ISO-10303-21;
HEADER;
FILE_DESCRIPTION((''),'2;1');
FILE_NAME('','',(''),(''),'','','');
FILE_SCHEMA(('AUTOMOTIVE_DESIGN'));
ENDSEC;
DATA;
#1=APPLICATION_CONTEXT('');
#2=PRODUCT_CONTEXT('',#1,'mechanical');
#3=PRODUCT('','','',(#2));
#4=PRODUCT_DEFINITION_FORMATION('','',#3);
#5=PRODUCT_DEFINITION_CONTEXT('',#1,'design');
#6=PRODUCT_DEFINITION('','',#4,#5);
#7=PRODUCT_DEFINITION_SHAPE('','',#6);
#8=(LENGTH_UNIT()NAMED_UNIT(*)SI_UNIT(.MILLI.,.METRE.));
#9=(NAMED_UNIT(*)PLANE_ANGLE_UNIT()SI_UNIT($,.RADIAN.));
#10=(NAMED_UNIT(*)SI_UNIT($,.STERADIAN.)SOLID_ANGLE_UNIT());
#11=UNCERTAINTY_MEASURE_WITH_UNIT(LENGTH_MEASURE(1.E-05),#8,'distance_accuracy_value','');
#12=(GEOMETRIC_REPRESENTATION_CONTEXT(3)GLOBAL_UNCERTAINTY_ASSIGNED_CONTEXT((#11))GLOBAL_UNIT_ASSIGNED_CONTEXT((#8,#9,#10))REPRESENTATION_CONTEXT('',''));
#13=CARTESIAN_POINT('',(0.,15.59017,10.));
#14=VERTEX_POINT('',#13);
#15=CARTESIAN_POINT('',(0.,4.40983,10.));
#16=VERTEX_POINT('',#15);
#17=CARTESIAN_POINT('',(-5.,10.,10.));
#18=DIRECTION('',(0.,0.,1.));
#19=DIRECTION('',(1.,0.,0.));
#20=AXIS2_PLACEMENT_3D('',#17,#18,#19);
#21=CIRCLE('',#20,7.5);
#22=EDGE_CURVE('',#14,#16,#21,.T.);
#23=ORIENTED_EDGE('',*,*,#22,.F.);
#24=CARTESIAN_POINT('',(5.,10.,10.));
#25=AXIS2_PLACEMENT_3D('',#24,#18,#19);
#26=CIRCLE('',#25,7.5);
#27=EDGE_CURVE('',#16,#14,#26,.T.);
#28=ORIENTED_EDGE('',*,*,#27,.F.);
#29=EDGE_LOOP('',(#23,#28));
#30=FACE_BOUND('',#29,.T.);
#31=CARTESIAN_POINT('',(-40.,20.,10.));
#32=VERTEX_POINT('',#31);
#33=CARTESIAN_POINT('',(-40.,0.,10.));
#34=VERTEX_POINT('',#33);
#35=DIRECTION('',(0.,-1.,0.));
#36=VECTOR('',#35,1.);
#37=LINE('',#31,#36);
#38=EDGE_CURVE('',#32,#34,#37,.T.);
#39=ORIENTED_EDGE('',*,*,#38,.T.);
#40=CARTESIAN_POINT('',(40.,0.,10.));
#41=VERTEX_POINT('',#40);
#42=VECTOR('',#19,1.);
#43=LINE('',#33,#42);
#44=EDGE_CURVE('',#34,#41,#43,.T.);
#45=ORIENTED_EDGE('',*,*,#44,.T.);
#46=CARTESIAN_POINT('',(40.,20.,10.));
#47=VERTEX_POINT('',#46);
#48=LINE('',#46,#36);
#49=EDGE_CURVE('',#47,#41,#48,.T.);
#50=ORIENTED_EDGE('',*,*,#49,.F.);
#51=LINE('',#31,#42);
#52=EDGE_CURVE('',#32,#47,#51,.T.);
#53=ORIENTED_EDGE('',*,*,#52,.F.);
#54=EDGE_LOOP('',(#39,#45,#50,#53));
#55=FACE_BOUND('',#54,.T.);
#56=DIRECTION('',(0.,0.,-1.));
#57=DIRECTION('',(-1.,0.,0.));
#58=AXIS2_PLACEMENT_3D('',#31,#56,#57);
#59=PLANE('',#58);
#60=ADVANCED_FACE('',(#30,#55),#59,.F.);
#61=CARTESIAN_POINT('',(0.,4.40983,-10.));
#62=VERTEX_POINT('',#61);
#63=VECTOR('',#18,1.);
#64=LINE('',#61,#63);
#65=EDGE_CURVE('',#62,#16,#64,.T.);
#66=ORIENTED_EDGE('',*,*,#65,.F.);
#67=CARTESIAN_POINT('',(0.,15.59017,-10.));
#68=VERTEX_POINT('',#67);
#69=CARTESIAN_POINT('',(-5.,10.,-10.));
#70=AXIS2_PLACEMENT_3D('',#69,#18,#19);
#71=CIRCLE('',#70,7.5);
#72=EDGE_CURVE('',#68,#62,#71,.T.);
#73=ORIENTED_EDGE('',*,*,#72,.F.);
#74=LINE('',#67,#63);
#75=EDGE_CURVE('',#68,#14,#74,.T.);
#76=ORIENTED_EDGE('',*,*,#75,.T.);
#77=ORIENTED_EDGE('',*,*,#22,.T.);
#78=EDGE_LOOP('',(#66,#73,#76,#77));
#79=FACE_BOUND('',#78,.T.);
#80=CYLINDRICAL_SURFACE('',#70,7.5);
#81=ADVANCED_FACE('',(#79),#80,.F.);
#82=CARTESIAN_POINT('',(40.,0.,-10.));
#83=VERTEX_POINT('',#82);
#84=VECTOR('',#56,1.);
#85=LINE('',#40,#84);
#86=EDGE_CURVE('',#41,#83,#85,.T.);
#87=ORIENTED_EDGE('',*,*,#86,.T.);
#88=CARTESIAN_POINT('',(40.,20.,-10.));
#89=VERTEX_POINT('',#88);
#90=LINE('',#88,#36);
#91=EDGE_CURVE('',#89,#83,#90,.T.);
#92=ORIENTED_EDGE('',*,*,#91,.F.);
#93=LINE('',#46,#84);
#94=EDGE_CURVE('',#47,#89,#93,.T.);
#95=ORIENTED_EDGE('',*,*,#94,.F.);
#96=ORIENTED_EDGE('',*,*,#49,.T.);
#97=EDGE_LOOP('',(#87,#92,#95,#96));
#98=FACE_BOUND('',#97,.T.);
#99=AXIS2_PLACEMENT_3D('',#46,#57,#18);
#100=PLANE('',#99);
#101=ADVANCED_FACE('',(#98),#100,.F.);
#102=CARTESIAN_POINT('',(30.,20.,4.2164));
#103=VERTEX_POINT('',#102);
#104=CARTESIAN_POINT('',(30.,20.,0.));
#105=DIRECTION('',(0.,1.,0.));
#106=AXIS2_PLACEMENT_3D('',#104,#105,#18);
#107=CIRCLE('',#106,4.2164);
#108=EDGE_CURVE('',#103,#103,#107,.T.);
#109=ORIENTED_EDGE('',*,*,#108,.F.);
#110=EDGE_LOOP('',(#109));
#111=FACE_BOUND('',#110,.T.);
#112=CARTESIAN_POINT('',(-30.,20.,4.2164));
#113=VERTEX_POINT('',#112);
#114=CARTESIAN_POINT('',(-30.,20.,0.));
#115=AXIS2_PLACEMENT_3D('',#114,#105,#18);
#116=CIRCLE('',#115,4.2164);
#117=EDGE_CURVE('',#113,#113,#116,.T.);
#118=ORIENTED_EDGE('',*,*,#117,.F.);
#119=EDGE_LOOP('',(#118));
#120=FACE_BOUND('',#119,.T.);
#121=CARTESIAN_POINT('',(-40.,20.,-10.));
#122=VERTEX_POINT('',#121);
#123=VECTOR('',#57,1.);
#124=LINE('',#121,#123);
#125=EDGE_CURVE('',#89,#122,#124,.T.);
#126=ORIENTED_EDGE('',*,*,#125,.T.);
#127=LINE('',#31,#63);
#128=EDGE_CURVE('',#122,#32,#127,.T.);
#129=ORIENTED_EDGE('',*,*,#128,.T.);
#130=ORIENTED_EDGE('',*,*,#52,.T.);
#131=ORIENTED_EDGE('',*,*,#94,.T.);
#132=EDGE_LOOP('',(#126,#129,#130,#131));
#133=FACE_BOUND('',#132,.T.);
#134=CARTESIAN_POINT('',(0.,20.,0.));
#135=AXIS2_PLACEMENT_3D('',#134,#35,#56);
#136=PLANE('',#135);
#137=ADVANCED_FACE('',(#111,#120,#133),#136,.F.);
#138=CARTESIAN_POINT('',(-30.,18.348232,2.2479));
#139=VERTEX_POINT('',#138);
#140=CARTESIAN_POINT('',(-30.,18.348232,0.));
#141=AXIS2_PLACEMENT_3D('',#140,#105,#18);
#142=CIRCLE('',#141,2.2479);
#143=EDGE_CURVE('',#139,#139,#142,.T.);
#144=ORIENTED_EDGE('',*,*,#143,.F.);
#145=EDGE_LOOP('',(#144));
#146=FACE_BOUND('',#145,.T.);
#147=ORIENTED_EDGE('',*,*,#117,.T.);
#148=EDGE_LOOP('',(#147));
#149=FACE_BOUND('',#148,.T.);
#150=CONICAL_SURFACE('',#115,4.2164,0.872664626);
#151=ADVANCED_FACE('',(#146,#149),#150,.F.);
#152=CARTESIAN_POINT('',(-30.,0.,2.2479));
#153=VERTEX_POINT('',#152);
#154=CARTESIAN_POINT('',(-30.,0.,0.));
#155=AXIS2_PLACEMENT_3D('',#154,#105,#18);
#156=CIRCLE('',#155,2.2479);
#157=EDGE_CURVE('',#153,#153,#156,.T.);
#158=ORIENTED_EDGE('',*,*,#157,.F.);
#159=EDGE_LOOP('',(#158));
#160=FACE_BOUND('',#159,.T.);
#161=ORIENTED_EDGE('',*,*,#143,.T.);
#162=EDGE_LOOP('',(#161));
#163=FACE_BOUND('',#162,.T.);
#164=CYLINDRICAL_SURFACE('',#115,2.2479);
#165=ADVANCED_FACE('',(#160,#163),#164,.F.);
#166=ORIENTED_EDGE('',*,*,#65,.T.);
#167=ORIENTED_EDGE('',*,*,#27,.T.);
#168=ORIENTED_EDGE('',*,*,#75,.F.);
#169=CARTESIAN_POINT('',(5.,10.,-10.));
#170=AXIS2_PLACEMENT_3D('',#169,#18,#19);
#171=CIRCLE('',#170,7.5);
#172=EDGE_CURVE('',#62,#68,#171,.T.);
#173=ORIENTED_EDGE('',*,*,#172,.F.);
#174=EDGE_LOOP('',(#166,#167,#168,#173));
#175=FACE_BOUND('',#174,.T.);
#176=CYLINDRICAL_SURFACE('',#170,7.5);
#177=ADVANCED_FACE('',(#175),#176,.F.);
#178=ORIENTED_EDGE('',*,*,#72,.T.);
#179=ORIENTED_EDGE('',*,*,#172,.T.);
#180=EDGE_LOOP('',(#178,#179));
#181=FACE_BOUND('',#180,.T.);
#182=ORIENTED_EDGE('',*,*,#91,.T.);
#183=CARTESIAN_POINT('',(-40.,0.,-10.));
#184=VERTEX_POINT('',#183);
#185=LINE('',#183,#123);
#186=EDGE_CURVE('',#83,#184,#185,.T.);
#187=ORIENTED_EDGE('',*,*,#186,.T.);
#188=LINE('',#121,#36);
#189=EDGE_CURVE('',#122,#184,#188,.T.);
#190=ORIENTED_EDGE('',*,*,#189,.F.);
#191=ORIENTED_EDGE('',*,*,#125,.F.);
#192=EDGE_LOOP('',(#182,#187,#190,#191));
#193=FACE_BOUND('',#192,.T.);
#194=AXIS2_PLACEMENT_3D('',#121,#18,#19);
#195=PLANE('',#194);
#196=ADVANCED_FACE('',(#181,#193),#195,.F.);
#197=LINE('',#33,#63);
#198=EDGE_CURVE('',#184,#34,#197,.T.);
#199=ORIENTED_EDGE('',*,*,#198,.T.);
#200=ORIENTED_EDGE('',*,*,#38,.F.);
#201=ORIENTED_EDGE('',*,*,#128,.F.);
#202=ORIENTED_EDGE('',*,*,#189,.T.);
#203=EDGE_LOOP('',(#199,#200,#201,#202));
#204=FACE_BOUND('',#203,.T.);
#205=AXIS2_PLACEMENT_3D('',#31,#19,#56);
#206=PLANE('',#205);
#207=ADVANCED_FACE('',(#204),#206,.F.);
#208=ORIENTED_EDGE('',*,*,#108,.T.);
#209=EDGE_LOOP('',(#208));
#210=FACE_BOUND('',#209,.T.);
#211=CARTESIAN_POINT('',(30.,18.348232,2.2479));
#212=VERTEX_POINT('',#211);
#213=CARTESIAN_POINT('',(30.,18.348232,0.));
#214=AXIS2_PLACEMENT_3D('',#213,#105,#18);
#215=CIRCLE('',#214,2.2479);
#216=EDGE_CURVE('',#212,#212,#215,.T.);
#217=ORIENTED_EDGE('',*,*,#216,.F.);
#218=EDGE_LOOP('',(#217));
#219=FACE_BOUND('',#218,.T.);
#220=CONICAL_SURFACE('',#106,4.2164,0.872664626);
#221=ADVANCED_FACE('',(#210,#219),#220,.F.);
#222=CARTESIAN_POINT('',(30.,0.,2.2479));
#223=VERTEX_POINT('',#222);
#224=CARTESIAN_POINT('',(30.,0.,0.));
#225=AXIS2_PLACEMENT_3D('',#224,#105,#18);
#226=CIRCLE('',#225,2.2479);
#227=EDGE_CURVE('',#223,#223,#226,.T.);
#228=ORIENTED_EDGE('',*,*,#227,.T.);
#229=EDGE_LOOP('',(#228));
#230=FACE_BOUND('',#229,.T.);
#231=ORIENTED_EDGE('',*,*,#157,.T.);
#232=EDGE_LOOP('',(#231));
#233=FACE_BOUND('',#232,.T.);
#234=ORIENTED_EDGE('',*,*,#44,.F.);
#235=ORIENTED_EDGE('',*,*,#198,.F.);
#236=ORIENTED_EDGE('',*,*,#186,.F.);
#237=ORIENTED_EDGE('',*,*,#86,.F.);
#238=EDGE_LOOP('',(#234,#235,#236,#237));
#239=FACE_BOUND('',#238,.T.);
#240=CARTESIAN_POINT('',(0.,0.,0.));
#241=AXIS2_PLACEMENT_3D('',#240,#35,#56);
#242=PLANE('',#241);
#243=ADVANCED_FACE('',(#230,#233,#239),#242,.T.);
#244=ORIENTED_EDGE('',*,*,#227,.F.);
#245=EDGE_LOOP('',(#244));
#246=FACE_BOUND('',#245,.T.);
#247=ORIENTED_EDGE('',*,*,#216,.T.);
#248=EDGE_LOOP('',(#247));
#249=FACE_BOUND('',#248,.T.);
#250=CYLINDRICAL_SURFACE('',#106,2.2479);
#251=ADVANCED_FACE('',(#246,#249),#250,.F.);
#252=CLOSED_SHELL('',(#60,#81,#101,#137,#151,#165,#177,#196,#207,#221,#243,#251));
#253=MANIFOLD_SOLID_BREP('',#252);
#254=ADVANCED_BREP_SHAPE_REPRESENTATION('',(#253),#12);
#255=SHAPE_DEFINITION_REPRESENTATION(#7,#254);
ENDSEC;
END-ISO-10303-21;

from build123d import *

# Parameters (mm, degrees)
SKETCH1_W                                         = 80
SKETCH1_H                                         = 20
BOSS_EXTRUDE1_DEPTH                               = 20
SKETCH2_R                                         = 7.5
CUT_EXTRUDE1_DEPTH                                = 20
CSK_FOR_8_FLAT_HEAD_MACHINE_SCREW_100_D           = 4.4958
CSK_FOR_8_FLAT_HEAD_MACHINE_SCREW_100_CSINK_D     = 8.4328
CSK_FOR_8_FLAT_HEAD_MACHINE_SCREW_100_CSINK_ANGLE = 100


with BuildPart() as part:
    # Sketch1 → Boss-Extrude1 (new body)
    with BuildSketch(Plane(origin=(0, 0, 0), x_dir=(1, 0, 0), z_dir=(0, 1, 0))):
        Rectangle(SKETCH1_W, SKETCH1_H)
    extrude(amount=BOSS_EXTRUDE1_DEPTH)

    # Sketch2 → Cut-Extrude1 (cut)
    with BuildSketch(Plane.XY.offset(10)):
        with Locations((-5, 10)):
            Circle(SKETCH2_R)
        with Locations((5, 10)):
            Circle(SKETCH2_R)
    extrude(amount=-CUT_EXTRUDE1_DEPTH, mode=Mode.SUBTRACT)

    # CSK for #8 Flat Head Machine Screw (100)1 (through all)
    with Locations(Plane(origin=(0, 20, 0), x_dir=(1, 0, 0), z_dir=(0, 1, 0))):
        with Locations((-30, 0), (30, 0)):
            CounterSinkHole(CSK_FOR_8_FLAT_HEAD_MACHINE_SCREW_100_D / 2, CSK_FOR_8_FLAT_HEAD_MACHINE_SCREW_100_CSINK_D / 2, counter_sink_angle=CSK_FOR_8_FLAT_HEAD_MACHINE_SCREW_100_CSINK_ANGLE)


solid = part.part
